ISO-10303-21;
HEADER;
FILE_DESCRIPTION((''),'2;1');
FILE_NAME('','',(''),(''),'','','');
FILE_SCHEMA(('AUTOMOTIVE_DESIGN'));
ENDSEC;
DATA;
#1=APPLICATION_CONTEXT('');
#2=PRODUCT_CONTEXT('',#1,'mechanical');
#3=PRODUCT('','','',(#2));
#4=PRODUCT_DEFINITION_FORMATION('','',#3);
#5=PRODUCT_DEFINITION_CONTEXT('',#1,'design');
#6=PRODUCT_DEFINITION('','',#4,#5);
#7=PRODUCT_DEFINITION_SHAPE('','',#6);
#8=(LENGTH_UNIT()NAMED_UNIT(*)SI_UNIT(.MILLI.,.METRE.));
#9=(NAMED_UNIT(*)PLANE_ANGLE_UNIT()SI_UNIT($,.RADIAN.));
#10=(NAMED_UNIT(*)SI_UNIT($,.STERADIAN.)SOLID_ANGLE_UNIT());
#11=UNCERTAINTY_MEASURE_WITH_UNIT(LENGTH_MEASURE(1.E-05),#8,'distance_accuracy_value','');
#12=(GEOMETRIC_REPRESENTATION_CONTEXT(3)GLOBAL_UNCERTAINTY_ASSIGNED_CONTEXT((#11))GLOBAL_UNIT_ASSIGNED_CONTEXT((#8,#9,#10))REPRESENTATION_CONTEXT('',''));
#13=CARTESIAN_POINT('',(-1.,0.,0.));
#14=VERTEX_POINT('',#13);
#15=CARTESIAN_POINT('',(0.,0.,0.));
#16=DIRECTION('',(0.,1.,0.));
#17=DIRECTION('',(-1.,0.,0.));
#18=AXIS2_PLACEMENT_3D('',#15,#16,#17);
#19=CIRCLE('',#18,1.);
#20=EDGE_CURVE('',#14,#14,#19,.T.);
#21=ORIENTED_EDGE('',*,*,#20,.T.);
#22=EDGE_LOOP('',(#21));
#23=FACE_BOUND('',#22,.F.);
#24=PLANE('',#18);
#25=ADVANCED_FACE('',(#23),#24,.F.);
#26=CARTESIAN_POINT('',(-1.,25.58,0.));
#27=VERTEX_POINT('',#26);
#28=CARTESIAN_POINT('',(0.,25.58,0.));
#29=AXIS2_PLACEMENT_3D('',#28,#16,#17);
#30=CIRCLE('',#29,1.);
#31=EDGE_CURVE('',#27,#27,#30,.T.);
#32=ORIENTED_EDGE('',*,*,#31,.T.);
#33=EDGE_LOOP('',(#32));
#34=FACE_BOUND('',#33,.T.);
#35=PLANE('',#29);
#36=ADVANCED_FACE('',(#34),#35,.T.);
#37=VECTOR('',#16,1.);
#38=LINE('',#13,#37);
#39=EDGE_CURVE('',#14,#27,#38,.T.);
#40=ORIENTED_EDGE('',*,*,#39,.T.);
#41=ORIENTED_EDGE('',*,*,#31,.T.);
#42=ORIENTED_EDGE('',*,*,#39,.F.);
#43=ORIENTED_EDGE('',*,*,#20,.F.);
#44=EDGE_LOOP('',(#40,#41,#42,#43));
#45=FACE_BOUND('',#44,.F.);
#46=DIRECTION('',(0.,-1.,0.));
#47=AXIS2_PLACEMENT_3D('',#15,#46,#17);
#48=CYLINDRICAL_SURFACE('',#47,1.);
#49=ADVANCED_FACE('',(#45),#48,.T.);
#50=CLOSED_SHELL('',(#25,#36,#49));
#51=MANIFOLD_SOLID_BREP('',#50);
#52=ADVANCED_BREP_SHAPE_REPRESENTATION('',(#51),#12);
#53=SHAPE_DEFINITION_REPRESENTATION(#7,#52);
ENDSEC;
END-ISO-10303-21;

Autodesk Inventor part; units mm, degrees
ref_plane "YZ Plane" through (0, 0, 0) normal (1, 0, 0) x (0, 1, 0)
ref_plane "XZ Plane" through (0, 0, 0) normal (0, 1, 0) x (-1, 0, 0)
ref_plane "XY Plane" through (0, 0, 0) normal (0, 0, 1) x (1, 0, 0)
sketch "Sketch1" plane through (0, 0, 0) normal (0, 1, 0) x (-1, 0, 0)
  circle A0 centre (0, 0) radius 1
  dimension "d0" = 2
extrude "Extrusion1" add sketch "Sketch1" along normal blind 25.58
ref_plane "Work Plane1" through (0, -30, 0) normal (0, -1, 0) x (1, 0, 0)
properties part number "LOOP1_COLL_PREDEF2"
